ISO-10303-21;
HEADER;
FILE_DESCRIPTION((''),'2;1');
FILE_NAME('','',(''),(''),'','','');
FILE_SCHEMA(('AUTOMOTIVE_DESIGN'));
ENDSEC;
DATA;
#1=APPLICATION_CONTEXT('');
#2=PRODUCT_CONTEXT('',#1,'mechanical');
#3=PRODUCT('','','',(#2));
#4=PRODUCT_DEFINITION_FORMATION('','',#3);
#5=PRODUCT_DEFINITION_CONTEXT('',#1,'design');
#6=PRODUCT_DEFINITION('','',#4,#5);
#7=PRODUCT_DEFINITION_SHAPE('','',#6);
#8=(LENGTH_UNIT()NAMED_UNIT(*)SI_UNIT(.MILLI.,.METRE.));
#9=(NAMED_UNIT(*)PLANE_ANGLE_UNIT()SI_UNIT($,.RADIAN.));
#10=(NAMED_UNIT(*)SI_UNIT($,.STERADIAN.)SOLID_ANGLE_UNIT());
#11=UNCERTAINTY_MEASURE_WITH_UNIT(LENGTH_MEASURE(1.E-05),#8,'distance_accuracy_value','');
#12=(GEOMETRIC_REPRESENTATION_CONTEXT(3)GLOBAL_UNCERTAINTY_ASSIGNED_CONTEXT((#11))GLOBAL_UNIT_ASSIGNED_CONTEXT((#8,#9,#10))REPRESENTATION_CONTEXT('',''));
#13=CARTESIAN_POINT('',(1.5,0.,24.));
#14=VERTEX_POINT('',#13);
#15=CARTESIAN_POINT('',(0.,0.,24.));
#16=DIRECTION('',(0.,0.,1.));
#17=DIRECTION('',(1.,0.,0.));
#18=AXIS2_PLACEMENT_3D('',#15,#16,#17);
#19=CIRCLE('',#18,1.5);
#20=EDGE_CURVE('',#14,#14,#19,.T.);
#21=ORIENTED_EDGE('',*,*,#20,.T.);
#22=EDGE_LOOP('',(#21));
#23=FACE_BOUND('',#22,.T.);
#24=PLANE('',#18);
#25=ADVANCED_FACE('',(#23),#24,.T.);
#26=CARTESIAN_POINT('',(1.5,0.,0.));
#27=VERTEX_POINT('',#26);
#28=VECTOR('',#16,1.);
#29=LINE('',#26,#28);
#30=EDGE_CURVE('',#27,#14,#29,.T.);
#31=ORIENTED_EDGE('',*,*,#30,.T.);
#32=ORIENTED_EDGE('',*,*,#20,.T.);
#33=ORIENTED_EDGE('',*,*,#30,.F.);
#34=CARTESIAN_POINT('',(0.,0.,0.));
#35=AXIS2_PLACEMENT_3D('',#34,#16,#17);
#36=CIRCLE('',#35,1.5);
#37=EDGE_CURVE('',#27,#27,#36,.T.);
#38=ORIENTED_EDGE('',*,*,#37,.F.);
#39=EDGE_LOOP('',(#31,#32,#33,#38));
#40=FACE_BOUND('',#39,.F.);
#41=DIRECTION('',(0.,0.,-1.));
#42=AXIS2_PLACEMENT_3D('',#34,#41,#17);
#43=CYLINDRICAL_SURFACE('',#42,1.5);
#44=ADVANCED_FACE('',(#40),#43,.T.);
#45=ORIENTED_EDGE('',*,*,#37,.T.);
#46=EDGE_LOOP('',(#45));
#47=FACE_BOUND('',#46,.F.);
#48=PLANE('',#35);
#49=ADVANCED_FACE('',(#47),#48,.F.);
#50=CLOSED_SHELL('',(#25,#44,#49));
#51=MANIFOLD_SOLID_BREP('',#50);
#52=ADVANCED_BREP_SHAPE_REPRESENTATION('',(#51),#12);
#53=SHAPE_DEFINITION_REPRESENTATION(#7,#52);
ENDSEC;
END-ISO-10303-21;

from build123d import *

# Parameters (mm, degrees)
SKETCH_R  = 1.5
PAD_DEPTH = 24


with BuildPart() as part:
    # Sketch → Pad (new body)
    with BuildSketch(Plane.XY):
        Circle(SKETCH_R)
    extrude(amount=PAD_DEPTH)


solid = part.part
